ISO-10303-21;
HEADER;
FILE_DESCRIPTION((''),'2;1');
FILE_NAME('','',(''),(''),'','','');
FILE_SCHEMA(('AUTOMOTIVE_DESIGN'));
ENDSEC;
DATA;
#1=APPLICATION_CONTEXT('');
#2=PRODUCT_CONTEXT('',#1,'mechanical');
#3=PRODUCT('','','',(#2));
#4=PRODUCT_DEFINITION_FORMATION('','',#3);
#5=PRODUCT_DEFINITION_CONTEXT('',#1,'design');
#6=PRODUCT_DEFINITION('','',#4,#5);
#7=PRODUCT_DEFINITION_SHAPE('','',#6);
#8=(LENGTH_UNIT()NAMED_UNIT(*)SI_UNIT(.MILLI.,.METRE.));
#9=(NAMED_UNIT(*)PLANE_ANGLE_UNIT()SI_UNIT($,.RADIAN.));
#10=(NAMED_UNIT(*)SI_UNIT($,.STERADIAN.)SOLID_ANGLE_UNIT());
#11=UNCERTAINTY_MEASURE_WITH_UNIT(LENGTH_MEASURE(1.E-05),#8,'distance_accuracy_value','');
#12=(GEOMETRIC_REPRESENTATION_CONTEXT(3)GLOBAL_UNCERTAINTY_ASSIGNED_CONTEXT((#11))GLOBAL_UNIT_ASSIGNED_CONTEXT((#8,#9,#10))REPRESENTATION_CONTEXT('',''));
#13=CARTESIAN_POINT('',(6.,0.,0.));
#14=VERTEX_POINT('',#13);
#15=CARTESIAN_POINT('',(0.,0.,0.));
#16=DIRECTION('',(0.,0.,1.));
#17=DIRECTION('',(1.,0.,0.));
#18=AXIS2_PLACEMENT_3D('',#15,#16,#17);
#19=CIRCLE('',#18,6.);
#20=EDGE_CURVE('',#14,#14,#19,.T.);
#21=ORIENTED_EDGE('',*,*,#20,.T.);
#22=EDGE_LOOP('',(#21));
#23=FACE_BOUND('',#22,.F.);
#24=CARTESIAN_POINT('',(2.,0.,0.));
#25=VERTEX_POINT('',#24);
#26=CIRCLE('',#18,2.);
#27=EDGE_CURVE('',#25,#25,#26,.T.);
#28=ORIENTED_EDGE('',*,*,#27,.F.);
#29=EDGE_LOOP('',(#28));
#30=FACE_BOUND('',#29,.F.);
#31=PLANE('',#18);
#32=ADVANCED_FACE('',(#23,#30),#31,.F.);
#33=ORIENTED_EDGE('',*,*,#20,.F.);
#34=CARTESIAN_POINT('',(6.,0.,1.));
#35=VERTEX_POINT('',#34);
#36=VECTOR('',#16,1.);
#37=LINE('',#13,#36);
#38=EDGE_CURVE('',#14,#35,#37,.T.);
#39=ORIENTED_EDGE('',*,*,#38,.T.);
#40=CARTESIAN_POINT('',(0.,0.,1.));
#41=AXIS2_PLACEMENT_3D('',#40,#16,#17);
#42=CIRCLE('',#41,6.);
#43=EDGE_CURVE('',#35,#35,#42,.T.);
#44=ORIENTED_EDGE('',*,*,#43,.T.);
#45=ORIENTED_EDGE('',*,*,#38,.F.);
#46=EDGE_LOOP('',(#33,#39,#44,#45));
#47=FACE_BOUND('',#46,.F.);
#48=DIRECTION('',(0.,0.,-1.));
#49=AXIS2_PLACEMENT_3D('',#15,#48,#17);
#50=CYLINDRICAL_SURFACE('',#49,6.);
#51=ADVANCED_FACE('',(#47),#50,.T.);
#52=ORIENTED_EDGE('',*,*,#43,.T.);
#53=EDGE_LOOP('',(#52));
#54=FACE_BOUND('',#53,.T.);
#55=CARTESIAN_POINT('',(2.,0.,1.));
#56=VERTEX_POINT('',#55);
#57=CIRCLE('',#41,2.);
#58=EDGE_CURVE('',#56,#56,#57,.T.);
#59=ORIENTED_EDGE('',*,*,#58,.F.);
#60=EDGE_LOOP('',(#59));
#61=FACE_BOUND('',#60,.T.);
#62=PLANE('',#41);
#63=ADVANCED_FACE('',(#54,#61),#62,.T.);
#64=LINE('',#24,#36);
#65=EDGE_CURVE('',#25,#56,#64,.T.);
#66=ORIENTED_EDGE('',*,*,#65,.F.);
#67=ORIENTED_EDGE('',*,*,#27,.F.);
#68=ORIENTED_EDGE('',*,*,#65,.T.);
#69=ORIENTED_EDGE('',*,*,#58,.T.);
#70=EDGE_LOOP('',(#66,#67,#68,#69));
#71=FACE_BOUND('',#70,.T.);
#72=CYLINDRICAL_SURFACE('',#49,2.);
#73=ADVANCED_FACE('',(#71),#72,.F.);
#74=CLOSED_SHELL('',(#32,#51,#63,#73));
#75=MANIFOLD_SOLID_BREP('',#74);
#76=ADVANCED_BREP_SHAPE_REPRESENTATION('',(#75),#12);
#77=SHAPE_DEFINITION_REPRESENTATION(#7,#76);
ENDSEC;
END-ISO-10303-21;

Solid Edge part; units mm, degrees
sketch "Sketch1" plane through (0, 0, 0) normal (0, 0, 1) x (1, 0, 0)
  circle A0 centre (0, 0) radius 6
  circle A1 centre (0, 0) radius 2
extrude "Protrusion1" add sketch "Sketch1" along normal blind 1
properties material "Stainless Steel, 420"
